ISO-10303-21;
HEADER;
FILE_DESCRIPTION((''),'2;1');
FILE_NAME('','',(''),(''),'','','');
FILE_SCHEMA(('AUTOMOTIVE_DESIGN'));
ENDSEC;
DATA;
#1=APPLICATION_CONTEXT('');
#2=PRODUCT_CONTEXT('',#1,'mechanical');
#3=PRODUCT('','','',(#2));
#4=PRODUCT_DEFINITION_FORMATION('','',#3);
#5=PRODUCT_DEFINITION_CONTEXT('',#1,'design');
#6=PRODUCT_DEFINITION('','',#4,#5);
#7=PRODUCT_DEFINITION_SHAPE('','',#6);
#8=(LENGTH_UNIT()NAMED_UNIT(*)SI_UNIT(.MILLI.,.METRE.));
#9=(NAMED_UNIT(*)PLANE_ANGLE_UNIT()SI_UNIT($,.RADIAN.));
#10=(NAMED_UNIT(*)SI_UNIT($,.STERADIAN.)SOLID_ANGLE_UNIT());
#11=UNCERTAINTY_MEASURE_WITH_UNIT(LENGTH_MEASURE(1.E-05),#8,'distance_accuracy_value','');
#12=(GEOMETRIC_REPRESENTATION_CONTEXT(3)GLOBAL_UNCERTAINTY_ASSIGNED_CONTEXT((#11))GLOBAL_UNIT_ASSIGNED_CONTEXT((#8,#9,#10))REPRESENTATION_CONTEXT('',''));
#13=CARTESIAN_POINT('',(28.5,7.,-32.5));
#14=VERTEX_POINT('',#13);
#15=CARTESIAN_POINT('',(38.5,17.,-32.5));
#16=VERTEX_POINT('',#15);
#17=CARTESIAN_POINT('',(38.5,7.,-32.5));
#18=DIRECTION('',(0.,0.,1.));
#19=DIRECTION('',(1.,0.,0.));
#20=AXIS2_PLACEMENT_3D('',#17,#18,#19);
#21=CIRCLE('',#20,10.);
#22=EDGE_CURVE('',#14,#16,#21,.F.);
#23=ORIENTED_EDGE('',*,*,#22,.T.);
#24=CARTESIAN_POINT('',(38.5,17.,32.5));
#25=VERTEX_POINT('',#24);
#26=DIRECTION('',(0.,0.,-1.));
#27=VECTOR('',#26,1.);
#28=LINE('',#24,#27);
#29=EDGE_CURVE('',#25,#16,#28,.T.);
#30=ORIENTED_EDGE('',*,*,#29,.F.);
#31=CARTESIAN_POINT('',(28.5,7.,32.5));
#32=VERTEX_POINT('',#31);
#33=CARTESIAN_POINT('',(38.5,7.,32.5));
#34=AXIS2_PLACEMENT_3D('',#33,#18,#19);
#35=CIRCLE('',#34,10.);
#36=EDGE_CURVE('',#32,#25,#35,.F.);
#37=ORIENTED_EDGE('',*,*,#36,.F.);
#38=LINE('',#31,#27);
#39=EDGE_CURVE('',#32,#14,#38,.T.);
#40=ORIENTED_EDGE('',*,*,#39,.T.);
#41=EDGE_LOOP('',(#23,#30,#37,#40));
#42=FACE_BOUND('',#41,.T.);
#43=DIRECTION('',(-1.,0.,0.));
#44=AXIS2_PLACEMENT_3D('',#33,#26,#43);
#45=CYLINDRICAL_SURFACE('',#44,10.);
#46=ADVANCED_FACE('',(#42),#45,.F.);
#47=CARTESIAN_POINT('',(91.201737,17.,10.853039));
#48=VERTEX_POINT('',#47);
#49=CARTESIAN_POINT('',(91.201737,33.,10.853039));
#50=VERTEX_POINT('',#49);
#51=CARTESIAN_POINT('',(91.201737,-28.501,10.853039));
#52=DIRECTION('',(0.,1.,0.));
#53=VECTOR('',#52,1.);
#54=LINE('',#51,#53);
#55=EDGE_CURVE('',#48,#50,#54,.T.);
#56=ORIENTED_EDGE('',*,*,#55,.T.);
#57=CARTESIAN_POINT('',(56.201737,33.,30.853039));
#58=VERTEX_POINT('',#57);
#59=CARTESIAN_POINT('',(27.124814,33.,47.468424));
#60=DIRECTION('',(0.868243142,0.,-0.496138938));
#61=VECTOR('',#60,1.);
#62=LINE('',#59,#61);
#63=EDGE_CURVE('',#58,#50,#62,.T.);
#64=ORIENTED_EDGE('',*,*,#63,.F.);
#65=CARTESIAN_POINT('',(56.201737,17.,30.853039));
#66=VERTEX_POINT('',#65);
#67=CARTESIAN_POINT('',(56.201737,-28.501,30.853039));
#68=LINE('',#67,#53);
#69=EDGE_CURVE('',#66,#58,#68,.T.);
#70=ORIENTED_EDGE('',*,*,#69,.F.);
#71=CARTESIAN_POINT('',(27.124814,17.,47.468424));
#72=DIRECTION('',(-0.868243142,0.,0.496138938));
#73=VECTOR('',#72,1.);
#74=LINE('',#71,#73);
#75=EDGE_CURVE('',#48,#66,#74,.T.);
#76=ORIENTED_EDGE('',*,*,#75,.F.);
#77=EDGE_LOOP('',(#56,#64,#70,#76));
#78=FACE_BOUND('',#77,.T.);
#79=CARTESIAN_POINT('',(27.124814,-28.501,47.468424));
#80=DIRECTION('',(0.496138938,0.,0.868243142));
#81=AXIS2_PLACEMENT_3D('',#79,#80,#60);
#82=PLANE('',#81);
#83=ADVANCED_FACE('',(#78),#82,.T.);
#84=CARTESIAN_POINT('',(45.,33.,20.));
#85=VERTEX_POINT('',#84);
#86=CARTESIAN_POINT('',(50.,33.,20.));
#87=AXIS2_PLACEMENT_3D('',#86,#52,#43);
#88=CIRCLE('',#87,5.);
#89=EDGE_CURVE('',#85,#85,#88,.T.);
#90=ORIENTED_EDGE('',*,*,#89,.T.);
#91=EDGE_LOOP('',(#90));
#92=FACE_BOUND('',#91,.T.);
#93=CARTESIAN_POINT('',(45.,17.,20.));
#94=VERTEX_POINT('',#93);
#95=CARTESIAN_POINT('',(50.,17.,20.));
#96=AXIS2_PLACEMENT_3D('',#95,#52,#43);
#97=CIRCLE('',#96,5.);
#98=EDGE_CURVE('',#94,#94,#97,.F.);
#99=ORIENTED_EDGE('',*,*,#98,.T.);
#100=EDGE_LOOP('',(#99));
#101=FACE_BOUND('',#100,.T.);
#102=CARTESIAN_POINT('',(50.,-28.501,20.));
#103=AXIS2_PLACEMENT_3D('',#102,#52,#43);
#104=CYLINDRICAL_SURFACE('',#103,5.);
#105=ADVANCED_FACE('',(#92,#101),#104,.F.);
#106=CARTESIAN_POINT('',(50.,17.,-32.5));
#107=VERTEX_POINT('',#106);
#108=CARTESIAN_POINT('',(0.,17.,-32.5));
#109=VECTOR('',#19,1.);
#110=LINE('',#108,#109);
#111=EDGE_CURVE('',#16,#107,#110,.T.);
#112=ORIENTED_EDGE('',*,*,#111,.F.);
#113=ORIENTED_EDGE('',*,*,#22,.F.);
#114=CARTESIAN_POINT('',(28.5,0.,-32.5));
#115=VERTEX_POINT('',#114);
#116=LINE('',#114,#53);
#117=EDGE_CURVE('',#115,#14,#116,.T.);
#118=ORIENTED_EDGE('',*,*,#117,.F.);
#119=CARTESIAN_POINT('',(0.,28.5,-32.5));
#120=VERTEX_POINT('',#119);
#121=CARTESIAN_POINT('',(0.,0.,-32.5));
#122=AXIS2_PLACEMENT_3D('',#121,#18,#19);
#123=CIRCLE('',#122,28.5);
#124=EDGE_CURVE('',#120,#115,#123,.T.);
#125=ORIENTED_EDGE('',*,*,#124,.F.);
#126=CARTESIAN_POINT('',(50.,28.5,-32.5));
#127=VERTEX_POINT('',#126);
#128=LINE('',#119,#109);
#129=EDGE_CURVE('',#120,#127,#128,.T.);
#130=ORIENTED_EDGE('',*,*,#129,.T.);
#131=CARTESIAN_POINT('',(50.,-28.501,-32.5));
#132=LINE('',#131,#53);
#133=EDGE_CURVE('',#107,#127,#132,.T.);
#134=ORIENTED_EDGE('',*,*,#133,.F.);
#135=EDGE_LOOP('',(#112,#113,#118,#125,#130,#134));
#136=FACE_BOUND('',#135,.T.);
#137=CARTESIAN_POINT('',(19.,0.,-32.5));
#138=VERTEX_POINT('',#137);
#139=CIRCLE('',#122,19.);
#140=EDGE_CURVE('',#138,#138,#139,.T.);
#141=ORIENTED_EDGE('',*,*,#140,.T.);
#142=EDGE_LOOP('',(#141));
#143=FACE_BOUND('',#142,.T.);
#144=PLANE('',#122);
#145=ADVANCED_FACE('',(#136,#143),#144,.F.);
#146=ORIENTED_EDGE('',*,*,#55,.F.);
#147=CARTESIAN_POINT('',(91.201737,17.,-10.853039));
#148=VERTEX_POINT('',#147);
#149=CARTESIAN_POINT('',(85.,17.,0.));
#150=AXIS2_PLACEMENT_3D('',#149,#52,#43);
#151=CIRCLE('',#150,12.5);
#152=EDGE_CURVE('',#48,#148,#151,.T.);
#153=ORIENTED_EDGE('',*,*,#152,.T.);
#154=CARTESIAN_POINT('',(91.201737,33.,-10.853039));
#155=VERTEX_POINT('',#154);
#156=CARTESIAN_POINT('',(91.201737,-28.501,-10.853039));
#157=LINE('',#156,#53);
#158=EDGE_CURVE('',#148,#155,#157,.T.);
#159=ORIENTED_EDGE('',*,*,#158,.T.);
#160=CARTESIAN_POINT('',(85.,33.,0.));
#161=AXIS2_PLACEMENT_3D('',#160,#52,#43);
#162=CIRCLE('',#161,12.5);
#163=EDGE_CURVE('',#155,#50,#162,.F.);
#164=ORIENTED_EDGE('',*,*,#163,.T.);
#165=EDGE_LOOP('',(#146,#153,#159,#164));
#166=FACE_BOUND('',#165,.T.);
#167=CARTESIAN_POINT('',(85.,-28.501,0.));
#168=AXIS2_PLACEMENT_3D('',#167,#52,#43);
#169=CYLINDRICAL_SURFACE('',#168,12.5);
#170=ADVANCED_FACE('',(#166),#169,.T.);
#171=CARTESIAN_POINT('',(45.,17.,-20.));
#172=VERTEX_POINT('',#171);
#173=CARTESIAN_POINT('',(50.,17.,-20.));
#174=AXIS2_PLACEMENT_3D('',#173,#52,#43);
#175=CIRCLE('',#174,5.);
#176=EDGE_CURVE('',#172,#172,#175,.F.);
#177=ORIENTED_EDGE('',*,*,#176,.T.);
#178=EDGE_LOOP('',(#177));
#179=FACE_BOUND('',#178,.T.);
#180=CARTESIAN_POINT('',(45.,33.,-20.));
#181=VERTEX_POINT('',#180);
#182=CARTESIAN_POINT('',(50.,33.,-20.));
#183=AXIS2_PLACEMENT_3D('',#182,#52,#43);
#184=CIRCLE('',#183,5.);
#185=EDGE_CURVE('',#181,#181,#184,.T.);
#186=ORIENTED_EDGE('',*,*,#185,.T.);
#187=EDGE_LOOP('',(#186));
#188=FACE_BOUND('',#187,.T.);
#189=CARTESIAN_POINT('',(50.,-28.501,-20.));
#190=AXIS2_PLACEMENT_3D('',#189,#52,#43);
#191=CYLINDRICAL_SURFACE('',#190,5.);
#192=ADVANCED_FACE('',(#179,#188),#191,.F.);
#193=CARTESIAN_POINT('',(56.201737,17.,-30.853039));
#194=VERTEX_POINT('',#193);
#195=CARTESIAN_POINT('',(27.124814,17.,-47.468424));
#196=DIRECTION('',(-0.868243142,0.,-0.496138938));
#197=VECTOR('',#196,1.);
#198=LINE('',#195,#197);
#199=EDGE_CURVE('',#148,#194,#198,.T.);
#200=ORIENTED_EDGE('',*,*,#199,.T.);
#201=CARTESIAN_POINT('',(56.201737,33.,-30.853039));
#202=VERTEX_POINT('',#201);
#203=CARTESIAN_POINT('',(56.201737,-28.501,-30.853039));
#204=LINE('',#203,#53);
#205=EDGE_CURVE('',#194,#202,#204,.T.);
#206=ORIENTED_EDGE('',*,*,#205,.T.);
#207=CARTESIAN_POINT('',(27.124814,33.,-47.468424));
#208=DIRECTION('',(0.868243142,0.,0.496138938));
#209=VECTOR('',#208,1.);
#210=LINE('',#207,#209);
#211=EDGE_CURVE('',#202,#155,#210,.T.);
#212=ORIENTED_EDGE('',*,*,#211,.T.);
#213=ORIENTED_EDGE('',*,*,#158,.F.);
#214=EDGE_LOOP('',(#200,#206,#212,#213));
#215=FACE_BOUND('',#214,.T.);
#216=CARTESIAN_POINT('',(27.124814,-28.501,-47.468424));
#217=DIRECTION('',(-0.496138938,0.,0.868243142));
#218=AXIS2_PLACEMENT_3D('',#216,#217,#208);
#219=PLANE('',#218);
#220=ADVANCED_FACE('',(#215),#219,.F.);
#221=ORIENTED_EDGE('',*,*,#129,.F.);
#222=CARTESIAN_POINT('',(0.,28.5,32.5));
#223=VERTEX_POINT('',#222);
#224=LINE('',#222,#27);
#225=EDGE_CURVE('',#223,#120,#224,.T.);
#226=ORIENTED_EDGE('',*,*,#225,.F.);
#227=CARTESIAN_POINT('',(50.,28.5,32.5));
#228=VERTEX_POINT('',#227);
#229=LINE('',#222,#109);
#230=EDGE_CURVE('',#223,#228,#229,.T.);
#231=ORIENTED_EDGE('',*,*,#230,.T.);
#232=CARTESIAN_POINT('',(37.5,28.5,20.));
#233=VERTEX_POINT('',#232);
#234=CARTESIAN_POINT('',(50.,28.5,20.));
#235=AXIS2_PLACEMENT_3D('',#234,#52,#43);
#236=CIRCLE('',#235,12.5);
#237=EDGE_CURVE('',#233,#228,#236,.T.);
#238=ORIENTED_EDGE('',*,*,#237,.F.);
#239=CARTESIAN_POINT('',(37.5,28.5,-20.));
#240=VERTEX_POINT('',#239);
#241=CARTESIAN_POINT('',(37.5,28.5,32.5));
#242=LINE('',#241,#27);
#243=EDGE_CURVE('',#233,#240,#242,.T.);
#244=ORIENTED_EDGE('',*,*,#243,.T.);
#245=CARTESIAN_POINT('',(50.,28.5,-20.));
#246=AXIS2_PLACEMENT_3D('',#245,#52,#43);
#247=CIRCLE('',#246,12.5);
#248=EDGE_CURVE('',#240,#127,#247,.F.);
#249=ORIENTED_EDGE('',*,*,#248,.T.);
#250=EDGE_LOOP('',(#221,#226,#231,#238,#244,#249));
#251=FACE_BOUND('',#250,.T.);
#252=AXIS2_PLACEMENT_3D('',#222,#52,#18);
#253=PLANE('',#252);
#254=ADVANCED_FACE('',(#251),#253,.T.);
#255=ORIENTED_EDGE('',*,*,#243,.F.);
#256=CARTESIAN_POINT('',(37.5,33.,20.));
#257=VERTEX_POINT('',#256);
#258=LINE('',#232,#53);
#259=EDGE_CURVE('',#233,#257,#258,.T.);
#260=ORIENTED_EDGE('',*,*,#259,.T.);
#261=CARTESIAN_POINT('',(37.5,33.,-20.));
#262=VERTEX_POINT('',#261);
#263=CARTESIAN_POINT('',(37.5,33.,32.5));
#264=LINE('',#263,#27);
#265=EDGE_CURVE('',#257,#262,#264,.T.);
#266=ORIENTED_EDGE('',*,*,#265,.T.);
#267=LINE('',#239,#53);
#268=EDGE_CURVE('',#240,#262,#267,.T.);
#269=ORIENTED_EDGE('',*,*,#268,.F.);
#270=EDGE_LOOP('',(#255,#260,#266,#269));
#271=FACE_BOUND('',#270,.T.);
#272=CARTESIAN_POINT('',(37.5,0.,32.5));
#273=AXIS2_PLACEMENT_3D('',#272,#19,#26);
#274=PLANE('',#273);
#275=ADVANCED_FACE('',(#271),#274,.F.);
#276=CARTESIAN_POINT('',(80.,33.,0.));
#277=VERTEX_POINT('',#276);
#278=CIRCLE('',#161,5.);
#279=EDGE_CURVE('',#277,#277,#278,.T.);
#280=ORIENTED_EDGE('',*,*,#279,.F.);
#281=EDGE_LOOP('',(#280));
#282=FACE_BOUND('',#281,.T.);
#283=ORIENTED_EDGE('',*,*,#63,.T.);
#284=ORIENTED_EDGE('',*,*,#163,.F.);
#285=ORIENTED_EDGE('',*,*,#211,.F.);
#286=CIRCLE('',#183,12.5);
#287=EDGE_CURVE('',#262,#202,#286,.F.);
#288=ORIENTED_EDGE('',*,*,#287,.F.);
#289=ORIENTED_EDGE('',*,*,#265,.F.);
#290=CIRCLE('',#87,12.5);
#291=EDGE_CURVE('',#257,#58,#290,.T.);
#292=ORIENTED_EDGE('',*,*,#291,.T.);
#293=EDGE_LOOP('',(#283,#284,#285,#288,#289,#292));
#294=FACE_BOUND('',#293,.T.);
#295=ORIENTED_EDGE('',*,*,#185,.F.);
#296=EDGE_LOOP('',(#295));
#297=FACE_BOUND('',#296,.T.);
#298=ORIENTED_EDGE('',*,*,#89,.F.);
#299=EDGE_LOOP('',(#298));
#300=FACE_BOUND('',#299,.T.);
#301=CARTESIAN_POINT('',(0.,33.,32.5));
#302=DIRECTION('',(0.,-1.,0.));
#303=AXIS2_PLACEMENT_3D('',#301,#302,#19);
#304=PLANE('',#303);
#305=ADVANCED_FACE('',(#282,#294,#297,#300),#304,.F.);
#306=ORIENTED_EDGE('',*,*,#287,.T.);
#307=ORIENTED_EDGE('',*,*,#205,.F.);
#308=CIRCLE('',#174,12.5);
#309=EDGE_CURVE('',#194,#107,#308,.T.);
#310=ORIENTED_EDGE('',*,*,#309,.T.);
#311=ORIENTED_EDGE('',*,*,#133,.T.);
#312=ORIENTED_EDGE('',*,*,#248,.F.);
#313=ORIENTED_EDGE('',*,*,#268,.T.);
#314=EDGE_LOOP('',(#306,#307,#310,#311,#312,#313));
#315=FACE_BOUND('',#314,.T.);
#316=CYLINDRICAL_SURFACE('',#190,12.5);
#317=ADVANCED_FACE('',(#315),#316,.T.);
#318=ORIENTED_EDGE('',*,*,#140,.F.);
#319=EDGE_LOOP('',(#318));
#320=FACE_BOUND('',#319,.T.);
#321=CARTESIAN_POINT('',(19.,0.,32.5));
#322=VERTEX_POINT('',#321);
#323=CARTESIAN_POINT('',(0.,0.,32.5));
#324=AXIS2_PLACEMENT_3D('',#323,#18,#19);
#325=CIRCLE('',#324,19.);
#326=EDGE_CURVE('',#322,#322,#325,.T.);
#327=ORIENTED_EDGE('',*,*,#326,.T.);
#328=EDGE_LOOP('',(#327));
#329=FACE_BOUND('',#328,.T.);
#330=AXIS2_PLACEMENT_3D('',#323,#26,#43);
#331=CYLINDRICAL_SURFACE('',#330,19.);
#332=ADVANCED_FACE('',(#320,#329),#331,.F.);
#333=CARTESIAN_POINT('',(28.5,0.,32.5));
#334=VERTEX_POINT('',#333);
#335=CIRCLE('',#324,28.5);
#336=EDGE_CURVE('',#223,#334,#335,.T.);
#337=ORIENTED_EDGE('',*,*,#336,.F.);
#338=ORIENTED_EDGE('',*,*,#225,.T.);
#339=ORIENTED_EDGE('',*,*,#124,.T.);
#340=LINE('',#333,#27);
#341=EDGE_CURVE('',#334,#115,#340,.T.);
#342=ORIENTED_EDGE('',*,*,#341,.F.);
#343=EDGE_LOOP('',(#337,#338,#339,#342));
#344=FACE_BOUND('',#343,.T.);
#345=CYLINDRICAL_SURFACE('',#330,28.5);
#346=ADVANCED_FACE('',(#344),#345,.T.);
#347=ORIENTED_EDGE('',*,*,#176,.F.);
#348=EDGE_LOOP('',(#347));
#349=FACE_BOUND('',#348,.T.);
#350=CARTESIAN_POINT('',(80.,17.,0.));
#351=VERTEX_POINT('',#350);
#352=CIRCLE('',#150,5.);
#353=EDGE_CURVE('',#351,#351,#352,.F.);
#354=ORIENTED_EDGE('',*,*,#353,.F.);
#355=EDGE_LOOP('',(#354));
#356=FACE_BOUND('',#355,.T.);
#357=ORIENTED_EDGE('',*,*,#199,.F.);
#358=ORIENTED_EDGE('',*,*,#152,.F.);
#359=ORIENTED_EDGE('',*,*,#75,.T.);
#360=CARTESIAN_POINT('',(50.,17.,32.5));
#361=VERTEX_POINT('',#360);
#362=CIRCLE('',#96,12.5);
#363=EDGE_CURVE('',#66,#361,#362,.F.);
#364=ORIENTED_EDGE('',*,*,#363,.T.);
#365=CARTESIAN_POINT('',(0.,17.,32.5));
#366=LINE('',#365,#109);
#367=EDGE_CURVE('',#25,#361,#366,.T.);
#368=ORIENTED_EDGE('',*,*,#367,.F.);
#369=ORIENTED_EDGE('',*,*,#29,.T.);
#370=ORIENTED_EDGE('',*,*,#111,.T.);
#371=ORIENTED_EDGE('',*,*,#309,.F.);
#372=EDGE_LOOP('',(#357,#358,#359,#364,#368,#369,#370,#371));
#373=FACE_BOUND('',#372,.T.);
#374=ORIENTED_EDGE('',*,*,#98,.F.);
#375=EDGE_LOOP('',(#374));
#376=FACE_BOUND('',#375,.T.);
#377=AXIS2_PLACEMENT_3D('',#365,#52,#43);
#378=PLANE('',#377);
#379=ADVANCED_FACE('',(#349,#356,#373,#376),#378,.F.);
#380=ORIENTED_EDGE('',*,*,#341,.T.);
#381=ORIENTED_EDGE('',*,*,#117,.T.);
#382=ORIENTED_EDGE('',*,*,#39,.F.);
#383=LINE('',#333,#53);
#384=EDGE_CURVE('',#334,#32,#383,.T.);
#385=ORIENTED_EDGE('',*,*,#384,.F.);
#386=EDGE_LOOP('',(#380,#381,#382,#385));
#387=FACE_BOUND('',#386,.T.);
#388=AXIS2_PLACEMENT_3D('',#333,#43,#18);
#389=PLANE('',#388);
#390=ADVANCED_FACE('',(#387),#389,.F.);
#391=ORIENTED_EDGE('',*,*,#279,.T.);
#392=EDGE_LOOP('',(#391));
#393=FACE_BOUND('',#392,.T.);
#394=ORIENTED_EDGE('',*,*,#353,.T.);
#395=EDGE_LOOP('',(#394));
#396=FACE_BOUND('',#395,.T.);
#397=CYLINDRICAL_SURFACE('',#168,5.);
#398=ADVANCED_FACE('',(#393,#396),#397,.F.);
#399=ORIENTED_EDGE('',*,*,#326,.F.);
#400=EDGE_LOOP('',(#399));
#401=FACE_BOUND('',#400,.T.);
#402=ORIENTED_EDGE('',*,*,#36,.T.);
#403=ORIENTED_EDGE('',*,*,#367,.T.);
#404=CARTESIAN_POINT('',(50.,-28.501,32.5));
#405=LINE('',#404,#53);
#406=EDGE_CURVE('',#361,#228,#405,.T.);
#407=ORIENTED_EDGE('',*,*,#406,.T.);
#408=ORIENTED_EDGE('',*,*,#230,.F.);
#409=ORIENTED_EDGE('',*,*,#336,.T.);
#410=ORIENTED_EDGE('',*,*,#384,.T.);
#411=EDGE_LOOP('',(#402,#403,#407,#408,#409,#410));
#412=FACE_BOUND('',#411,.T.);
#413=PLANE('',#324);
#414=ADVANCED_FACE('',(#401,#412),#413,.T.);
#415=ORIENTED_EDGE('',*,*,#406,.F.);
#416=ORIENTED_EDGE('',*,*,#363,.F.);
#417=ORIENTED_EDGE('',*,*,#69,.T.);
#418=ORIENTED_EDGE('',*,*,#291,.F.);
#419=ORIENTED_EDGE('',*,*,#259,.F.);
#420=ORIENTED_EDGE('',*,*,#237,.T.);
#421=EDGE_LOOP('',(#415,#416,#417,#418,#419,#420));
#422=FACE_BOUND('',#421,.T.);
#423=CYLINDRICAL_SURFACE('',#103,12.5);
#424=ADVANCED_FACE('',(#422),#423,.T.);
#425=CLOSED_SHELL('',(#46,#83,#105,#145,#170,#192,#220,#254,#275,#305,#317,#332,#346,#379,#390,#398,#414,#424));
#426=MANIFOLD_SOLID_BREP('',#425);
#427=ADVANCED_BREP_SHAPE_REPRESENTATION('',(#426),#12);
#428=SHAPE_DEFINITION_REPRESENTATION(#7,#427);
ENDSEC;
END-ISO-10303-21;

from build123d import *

# Parameters (mm, degrees)
SKETCH1_R           = 19
BOSS_EXTRUDE1_DEPTH = 32.5
CUT_EXTRUDE3_REACH  = 121.77
SKETCH2_R           = 5
CUT_EXTRUDE4_DEPTH  = 4.5


with BuildPart() as part:
    # Sketch1 → Boss-Extrude1 (new, symmetric)
    with BuildSketch(Plane.XY):
        with BuildLine():
            Line((37.5, 28.5), (0, 28.5))
            ThreePointArc((0, 28.5), (-20.152543264, -20.152543264), (28.5, 0))
            Line((28.5, 0), (28.5, 7))
            ThreePointArc((28.5, 7), (31.428932188, 14.071067812), (38.5, 17))
            Line((38.5, 17), (97.5, 17))
            Line((97.5, 17), (97.5, 33))
            Line((97.5, 33), (37.5, 33))
            Line((37.5, 33), (37.5, 28.5))
        make_face()
        Circle(SKETCH1_R, mode=Mode.SUBTRACT)
    extrude(amount=BOSS_EXTRUDE1_DEPTH, both=True)

    # Sketch2 → Cut-Extrude3 (cut, up to next)
    with BuildSketch(Plane(origin=(0, 33, 0), x_dir=(1, 0, 0), z_dir=(0, 1, 0)), mode=Mode.PRIVATE) as cut_extrude3_sk1:
        with BuildLine():
            ThreePointArc((56.201736729, -30.853039277), (53.208349189, -32.08124561), (50, -32.5))
            Line((50, -32.5), (97.5, -32.5))
            Line((97.5, -32.5), (97.5, 1.68e-07))
            ThreePointArc((97.5, 1.68e-07), (95.811376206, -6.274085155), (91.201736729, -10.853039277))
            Line((91.201736729, -10.853039277), (56.201736729, -30.853039277))
        make_face()
    cut_extrude3_tool1 = extrude(cut_extrude3_sk1.sketch, amount=-CUT_EXTRUDE3_REACH, mode=Mode.PRIVATE) & part.part
    # Sketch2 → Cut-Extrude3 (cut, up to next)
    with BuildSketch(Plane(origin=(0, 33, 0), x_dir=(1, 0, 0), z_dir=(0, 1, 0)), mode=Mode.PRIVATE) as cut_extrude3_sk2:
        with BuildLine():
            Line((97.5, 32.5), (50, 32.5))
            ThreePointArc((50, 32.5), (53.208349189, 32.08124561), (56.201736729, 30.853039277))
            Line((56.201736729, 30.853039277), (91.201736729, 10.853039277))
            ThreePointArc((91.201736729, 10.853039277), (95.811376122, 6.2740853), (97.5, 1.68e-07))
            Line((97.5, 1.68e-07), (97.5, 32.5))
        make_face()
    cut_extrude3_tool2 = extrude(cut_extrude3_sk2.sketch, amount=-CUT_EXTRUDE3_REACH, mode=Mode.PRIVATE) & part.part
    # Sketch2 → Cut-Extrude3 (cut, up to next)
    with BuildSketch(Plane(origin=(0, 33, 0), x_dir=(1, 0, 0), z_dir=(0, 1, 0)), mode=Mode.PRIVATE) as cut_extrude3_sk3:
        with Locations((50, 20)):
            Circle(SKETCH2_R)
    cut_extrude3_tool3 = extrude(cut_extrude3_sk3.sketch, amount=-CUT_EXTRUDE3_REACH, mode=Mode.PRIVATE) & part.part
    # Sketch2 → Cut-Extrude3 (cut, up to next)
    with BuildSketch(Plane(origin=(0, 33, 0), x_dir=(1, 0, 0), z_dir=(0, 1, 0)), mode=Mode.PRIVATE) as cut_extrude3_sk4:
        with Locations((50, -20)):
            Circle(SKETCH2_R)
    cut_extrude3_tool4 = extrude(cut_extrude3_sk4.sketch, amount=-CUT_EXTRUDE3_REACH, mode=Mode.PRIVATE) & part.part
    # Sketch2 → Cut-Extrude3 (cut, up to next)
    with BuildSketch(Plane(origin=(0, 33, 0), x_dir=(1, 0, 0), z_dir=(0, 1, 0)), mode=Mode.PRIVATE) as cut_extrude3_sk5:
        with Locations((85, 0)):
            Circle(SKETCH2_R)
    cut_extrude3_tool5 = extrude(cut_extrude3_sk5.sketch, amount=-CUT_EXTRUDE3_REACH, mode=Mode.PRIVATE) & part.part
    add(cut_extrude3_tool1.solids().sort_by_distance((82.925685, 33, 23.833798))[0], mode=Mode.SUBTRACT)
    add(cut_extrude3_tool2.solids().sort_by_distance((82.925685, 33, -23.833798))[0], mode=Mode.SUBTRACT)
    add(cut_extrude3_tool3.solids().sort_by_distance((50, 33, -20))[0], mode=Mode.SUBTRACT)
    add(cut_extrude3_tool4.solids().sort_by_distance((50, 33, 20))[0], mode=Mode.SUBTRACT)
    add(cut_extrude3_tool5.solids().sort_by_distance((85, 33, 0))[0], mode=Mode.SUBTRACT)

    # Sketch2<4> → Cut-Extrude4 (cut)
    with BuildSketch(Plane(origin=(0, 33, 0), x_dir=(1, 0, 0), z_dir=(0, 1, 0))):
        with BuildLine():
            ThreePointArc((50, -32.5), (41.161165235, -28.838834765), (37.5, -20))
            Line((37.5, -20), (37.5, -32.5))
            Line((37.5, -32.5), (50, -32.5))
        make_face()
        with BuildLine():
            Line((37.5, 32.5), (37.5, 20))
            ThreePointArc((37.5, 20), (41.161165235, 28.838834765), (50, 32.5))
            Line((50, 32.5), (37.5, 32.5))
        make_face()
    extrude(amount=-CUT_EXTRUDE4_DEPTH, mode=Mode.SUBTRACT)


solid = part.part
